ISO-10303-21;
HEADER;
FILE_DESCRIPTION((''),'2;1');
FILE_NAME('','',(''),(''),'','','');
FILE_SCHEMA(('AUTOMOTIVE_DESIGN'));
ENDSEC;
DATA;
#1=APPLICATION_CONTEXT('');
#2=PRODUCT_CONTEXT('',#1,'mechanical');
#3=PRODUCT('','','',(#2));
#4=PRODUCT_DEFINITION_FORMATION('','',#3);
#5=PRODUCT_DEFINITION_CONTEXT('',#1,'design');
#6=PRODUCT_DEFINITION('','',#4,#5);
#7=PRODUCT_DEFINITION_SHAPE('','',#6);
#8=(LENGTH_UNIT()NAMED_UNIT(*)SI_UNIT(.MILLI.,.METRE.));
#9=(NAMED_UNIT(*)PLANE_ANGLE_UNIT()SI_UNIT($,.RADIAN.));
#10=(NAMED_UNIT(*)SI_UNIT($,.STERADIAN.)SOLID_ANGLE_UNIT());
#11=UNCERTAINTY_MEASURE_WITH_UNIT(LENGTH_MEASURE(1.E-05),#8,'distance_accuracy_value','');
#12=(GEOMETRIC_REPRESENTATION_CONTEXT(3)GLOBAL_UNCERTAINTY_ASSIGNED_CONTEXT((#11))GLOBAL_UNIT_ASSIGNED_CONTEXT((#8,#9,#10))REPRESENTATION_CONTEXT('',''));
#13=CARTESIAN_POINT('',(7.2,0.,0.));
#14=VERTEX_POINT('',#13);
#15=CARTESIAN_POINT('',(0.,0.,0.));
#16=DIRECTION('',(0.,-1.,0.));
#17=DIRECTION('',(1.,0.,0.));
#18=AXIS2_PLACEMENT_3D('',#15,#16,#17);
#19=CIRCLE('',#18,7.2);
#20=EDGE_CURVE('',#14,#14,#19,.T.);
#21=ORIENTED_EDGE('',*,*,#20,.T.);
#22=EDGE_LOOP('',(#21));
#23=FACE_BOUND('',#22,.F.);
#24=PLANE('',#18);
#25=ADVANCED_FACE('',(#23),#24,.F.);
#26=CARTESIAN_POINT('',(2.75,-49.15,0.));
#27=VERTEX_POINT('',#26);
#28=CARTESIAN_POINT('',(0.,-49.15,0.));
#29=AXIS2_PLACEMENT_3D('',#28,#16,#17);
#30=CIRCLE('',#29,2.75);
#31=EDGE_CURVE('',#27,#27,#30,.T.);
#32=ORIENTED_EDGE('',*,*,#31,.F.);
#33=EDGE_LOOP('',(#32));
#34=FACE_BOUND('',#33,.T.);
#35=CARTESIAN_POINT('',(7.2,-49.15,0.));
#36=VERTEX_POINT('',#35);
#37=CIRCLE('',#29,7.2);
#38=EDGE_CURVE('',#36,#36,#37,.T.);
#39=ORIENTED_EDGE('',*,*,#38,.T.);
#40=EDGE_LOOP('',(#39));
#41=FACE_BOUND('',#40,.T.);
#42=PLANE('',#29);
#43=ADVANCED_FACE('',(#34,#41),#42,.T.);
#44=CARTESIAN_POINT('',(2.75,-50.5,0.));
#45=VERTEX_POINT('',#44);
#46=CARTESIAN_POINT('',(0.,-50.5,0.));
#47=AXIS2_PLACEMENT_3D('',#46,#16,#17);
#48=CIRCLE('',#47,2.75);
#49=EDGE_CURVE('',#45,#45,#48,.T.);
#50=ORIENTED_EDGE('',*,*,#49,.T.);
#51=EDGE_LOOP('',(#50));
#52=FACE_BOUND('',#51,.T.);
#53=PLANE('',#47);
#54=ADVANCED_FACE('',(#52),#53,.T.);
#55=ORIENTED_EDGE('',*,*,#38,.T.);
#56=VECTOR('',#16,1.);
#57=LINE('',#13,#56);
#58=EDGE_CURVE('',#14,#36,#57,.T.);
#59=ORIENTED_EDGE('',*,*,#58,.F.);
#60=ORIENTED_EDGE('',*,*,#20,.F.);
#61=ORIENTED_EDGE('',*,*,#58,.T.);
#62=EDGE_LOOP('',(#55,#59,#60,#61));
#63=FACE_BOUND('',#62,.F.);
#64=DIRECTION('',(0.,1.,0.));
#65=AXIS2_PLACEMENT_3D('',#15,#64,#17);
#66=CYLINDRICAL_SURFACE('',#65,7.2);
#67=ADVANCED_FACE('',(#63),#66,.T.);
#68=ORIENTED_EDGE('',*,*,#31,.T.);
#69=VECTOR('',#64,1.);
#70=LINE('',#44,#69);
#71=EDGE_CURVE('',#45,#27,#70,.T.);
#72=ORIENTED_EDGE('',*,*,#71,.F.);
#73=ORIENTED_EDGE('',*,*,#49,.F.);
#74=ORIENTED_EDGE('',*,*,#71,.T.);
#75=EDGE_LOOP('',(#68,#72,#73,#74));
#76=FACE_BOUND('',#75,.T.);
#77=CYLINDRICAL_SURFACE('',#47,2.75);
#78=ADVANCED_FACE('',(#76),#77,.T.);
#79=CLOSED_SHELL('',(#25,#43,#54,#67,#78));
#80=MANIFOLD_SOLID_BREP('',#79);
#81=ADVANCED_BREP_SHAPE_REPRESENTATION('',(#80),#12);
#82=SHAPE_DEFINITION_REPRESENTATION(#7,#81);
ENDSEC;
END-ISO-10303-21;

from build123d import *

# Parameters (mm, degrees)
SKETCH_R      = 7.2
PAD_DEPTH     = 50.5
SKETCH001_R   = 7.2
SKETCH001_R_2 = 2.75
POCKET_DEPTH  = 1.35


with BuildPart() as part:
    # Sketch → Pad (new body)
    with BuildSketch(Plane.XZ):
        Circle(SKETCH_R)
    extrude(amount=PAD_DEPTH)

    # Sketch001 (on Face3 of Pad) → Pocket (cut)
    with BuildSketch(Plane.XZ.offset(50.5)):
        Circle(SKETCH001_R)
        Circle(SKETCH001_R_2, mode=Mode.SUBTRACT)
    extrude(amount=-POCKET_DEPTH, mode=Mode.SUBTRACT)


solid = part.part
